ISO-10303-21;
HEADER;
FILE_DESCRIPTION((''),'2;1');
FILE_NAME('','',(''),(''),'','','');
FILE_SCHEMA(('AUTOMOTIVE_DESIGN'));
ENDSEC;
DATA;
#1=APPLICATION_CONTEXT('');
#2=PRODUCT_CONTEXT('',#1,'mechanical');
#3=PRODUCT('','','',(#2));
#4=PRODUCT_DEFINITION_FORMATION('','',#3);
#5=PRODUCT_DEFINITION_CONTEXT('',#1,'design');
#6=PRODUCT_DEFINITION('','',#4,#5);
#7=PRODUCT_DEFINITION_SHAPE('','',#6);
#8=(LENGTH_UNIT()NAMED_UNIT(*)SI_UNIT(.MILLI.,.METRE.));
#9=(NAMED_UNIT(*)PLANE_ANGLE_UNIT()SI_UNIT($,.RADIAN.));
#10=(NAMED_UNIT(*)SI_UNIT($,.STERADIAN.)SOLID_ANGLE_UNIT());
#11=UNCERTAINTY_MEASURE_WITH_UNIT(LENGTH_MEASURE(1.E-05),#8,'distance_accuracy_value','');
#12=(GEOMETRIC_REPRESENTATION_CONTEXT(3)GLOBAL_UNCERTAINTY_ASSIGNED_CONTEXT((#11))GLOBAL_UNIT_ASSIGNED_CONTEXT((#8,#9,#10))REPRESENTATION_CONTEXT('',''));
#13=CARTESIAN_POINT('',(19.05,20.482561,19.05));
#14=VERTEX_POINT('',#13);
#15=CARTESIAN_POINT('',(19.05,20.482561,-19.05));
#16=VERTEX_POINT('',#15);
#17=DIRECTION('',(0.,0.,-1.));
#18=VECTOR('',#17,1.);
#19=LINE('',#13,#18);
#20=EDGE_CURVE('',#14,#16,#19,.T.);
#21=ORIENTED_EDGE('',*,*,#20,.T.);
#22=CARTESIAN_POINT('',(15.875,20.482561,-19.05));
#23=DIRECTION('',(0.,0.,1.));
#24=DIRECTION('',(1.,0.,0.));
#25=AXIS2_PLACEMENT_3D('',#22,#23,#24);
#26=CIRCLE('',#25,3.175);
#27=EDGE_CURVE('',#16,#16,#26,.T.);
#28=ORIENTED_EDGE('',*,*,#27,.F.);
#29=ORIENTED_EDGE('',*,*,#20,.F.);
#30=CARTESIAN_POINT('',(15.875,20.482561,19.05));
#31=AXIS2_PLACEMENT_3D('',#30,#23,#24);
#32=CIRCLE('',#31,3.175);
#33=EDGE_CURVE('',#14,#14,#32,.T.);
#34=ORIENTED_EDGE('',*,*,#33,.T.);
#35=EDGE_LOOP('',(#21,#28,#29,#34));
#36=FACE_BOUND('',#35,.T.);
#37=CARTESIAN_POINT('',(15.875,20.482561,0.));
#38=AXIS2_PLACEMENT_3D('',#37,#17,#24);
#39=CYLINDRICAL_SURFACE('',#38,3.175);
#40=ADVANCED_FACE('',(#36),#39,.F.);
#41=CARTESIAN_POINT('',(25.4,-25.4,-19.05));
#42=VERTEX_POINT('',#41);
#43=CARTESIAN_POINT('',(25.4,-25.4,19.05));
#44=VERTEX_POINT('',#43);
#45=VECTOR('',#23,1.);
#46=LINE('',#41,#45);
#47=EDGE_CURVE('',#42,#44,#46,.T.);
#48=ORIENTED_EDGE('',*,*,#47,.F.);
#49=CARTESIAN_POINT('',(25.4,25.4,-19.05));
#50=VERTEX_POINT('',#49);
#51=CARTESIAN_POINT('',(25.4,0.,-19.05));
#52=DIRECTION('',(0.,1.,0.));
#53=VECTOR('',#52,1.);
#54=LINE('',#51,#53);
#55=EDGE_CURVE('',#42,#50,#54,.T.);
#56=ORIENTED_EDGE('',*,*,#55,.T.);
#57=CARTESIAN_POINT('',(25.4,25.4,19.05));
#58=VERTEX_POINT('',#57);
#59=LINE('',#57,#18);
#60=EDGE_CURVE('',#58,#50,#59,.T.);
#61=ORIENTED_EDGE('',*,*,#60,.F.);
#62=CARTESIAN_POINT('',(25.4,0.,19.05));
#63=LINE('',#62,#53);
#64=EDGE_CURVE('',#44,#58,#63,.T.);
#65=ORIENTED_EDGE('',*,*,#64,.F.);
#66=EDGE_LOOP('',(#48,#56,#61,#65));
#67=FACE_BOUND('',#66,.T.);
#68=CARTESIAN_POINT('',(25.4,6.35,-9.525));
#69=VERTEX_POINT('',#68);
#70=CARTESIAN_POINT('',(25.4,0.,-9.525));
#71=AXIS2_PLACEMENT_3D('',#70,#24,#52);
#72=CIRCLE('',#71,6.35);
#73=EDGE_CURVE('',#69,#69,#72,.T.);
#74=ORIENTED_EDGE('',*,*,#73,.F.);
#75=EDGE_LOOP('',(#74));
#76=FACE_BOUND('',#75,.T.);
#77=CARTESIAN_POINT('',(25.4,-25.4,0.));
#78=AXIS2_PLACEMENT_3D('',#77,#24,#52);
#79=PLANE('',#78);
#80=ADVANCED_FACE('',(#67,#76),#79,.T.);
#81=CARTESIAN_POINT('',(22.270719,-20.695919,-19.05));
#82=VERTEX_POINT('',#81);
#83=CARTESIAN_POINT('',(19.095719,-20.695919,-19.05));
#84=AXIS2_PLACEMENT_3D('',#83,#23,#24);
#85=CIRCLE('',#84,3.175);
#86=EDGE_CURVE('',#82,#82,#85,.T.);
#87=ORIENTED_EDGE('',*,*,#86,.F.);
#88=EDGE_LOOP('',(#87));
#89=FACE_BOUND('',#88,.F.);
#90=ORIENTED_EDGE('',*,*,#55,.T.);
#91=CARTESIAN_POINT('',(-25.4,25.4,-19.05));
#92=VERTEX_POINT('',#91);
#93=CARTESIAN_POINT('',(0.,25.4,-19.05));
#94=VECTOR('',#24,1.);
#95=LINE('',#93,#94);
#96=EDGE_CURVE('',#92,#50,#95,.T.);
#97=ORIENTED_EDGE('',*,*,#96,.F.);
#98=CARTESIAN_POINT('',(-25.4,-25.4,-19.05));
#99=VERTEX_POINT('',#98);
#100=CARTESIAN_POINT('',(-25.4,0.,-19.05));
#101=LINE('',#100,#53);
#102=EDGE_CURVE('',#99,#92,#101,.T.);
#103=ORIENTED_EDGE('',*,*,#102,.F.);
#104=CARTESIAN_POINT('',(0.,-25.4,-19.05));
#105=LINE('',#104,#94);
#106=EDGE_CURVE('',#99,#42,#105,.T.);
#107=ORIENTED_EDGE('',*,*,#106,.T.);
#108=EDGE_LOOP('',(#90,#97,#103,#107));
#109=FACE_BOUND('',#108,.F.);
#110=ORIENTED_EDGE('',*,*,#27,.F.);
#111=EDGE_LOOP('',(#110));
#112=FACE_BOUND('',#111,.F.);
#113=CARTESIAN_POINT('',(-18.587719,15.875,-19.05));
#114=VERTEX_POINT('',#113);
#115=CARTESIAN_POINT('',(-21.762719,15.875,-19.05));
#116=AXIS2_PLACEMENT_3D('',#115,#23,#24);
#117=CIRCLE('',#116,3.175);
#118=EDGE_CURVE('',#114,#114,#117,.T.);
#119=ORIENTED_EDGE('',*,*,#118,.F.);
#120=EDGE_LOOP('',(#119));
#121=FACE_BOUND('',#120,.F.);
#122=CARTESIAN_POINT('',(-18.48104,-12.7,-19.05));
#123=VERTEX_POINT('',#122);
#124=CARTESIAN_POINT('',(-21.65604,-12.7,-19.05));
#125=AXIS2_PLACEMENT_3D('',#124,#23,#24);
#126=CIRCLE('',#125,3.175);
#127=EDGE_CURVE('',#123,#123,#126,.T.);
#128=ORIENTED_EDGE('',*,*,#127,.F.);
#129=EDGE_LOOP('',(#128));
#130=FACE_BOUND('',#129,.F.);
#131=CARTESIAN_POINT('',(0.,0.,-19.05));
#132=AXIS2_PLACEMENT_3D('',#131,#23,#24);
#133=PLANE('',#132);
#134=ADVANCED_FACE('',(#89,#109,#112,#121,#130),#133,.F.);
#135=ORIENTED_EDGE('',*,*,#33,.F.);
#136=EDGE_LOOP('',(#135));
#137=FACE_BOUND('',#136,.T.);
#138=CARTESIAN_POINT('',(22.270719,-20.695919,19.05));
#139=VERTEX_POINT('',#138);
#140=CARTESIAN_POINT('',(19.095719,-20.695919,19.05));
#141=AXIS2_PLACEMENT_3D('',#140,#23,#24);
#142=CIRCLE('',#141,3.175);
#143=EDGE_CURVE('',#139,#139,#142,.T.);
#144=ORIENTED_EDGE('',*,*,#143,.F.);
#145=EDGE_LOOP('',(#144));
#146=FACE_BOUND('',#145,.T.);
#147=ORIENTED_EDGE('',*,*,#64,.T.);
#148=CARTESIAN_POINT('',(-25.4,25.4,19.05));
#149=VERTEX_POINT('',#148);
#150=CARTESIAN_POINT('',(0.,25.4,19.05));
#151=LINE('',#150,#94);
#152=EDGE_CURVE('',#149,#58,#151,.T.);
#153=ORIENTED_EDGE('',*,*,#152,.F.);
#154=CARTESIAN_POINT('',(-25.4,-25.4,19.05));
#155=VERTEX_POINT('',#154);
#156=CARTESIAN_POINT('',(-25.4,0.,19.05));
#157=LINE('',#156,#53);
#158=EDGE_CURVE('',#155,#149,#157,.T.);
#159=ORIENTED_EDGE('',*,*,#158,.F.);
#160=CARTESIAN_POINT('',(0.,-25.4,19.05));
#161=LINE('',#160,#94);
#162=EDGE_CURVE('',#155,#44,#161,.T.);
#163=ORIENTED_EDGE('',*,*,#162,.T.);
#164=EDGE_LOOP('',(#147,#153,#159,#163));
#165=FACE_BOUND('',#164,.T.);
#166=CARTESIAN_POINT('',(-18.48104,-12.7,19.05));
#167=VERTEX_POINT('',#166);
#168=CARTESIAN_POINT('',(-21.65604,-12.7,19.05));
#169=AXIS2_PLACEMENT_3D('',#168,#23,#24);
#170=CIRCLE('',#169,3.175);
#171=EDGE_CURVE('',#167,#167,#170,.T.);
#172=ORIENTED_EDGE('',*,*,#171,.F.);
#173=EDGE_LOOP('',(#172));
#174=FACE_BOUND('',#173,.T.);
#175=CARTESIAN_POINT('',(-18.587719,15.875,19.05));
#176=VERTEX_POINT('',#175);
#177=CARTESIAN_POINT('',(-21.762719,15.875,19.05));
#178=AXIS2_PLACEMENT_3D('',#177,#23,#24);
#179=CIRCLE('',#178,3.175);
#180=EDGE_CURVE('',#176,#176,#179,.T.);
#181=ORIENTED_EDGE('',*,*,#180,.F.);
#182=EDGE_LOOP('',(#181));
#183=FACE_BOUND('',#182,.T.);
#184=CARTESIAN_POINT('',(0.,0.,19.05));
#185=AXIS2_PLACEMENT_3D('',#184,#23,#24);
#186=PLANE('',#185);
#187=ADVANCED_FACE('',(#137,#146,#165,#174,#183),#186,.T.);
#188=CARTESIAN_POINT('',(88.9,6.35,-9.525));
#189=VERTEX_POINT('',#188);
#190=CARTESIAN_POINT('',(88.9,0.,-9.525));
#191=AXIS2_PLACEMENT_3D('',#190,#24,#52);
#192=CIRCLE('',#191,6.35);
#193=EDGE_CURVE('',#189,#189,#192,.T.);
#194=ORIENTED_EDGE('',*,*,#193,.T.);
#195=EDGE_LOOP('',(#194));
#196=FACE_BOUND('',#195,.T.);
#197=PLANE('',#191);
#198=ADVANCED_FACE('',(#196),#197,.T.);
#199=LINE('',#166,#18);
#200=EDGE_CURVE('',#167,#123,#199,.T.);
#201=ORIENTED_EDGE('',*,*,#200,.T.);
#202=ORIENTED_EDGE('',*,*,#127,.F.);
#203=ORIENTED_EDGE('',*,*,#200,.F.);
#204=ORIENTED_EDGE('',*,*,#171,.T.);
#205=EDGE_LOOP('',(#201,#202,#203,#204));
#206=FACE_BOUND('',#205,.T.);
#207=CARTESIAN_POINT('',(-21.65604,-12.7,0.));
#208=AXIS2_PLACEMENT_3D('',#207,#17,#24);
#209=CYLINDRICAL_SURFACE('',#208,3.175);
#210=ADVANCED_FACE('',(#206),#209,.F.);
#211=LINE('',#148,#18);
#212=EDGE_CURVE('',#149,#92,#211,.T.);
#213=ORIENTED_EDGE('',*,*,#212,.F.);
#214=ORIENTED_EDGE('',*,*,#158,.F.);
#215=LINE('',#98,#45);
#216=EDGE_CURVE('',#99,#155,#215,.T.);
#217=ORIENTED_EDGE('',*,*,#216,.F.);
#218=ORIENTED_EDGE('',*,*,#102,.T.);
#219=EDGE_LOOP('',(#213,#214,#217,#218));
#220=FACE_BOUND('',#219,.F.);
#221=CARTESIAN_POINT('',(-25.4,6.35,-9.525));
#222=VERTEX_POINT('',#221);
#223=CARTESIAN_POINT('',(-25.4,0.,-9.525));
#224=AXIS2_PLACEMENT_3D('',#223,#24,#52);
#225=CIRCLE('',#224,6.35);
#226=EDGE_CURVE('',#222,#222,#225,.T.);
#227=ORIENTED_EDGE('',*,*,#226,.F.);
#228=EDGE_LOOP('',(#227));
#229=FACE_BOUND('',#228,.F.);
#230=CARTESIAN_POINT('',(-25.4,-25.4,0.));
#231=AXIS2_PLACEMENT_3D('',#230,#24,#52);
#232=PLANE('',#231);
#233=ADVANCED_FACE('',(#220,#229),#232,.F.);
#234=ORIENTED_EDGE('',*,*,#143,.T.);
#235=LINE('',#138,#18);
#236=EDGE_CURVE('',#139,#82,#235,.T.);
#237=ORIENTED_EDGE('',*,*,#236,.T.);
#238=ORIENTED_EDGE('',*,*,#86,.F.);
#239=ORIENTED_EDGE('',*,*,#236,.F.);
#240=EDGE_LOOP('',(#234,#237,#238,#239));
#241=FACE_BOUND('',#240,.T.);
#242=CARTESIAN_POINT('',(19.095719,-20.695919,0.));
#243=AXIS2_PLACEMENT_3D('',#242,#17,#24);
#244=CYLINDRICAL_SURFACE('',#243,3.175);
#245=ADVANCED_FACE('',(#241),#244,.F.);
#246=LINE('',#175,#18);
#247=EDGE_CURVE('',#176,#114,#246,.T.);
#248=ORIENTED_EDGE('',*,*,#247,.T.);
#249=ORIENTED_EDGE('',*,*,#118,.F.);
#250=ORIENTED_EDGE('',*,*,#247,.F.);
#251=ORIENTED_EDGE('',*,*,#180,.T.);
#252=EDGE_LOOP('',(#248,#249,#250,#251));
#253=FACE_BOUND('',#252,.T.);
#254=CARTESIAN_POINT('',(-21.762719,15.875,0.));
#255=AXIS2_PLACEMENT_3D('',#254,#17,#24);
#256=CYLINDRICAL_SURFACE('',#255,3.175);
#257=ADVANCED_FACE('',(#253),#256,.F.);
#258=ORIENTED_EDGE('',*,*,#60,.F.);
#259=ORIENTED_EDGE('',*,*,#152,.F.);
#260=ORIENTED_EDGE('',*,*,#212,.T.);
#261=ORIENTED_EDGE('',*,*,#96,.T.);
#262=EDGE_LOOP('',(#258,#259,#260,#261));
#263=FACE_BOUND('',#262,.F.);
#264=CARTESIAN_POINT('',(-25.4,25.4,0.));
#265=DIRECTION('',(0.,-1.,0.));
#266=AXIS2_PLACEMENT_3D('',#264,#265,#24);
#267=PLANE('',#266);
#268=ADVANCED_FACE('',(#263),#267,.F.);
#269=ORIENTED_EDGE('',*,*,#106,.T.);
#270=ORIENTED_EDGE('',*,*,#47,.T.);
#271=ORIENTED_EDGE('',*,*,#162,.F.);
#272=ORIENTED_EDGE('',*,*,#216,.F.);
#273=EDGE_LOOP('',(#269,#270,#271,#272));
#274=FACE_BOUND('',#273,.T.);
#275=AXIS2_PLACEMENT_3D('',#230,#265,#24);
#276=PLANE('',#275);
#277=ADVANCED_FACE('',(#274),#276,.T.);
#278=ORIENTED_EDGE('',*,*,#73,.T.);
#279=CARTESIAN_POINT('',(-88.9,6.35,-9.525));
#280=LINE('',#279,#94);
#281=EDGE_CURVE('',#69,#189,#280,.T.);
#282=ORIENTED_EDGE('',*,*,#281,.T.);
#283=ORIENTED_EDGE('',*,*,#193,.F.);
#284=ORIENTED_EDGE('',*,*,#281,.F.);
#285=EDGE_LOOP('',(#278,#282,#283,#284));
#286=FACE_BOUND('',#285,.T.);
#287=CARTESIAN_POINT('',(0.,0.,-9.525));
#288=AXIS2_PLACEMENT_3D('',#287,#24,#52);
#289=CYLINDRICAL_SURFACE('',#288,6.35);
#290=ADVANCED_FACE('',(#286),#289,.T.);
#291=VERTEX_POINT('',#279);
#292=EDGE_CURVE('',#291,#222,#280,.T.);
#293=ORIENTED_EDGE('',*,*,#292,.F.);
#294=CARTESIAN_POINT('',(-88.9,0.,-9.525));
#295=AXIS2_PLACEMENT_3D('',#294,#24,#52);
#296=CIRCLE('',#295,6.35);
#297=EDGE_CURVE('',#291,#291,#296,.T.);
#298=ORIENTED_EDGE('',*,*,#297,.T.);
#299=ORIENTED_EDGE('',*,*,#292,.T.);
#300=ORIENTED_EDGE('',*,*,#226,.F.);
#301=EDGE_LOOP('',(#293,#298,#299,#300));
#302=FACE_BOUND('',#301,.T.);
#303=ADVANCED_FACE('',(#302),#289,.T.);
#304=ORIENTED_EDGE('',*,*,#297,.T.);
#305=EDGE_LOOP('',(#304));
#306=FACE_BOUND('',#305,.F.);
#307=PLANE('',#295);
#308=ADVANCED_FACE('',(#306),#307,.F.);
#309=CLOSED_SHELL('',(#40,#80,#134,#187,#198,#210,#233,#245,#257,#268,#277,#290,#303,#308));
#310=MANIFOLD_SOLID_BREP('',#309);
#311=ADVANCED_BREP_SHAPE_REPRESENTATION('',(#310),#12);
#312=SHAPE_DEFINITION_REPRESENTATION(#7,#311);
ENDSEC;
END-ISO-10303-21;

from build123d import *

# Parameters (mm, degrees)
F0_W     = 50.8
F0_H     = 50.8
F0_R     = 3.175
F1_DEPTH = 19.05
F2_R     = 6.35
F3_DEPTH = 88.9


with BuildPart() as f1:
    # F0 (on Top) → F1 (new body, symmetric)
    with BuildSketch(Plane.XY):
        Rectangle(F0_W, F0_H)
        with Locations((-21.65604, -12.7)):
            Circle(F0_R, mode=Mode.SUBTRACT)
        with Locations((19.095719, -20.695919)):
            Circle(F0_R, mode=Mode.SUBTRACT)
        with Locations((-21.762719, 15.875)):
            Circle(F0_R, mode=Mode.SUBTRACT)
        with Locations((15.875, 20.482561)):
            Circle(F0_R, mode=Mode.SUBTRACT)
    extrude(amount=F1_DEPTH, both=True)

    # F2 (on Right) → F3 (join, symmetric)
    with BuildSketch(Plane.YZ):
        with Locations((0, -9.525)):
            Circle(F2_R)
    extrude(amount=F3_DEPTH, both=True)


solid = f1.part
